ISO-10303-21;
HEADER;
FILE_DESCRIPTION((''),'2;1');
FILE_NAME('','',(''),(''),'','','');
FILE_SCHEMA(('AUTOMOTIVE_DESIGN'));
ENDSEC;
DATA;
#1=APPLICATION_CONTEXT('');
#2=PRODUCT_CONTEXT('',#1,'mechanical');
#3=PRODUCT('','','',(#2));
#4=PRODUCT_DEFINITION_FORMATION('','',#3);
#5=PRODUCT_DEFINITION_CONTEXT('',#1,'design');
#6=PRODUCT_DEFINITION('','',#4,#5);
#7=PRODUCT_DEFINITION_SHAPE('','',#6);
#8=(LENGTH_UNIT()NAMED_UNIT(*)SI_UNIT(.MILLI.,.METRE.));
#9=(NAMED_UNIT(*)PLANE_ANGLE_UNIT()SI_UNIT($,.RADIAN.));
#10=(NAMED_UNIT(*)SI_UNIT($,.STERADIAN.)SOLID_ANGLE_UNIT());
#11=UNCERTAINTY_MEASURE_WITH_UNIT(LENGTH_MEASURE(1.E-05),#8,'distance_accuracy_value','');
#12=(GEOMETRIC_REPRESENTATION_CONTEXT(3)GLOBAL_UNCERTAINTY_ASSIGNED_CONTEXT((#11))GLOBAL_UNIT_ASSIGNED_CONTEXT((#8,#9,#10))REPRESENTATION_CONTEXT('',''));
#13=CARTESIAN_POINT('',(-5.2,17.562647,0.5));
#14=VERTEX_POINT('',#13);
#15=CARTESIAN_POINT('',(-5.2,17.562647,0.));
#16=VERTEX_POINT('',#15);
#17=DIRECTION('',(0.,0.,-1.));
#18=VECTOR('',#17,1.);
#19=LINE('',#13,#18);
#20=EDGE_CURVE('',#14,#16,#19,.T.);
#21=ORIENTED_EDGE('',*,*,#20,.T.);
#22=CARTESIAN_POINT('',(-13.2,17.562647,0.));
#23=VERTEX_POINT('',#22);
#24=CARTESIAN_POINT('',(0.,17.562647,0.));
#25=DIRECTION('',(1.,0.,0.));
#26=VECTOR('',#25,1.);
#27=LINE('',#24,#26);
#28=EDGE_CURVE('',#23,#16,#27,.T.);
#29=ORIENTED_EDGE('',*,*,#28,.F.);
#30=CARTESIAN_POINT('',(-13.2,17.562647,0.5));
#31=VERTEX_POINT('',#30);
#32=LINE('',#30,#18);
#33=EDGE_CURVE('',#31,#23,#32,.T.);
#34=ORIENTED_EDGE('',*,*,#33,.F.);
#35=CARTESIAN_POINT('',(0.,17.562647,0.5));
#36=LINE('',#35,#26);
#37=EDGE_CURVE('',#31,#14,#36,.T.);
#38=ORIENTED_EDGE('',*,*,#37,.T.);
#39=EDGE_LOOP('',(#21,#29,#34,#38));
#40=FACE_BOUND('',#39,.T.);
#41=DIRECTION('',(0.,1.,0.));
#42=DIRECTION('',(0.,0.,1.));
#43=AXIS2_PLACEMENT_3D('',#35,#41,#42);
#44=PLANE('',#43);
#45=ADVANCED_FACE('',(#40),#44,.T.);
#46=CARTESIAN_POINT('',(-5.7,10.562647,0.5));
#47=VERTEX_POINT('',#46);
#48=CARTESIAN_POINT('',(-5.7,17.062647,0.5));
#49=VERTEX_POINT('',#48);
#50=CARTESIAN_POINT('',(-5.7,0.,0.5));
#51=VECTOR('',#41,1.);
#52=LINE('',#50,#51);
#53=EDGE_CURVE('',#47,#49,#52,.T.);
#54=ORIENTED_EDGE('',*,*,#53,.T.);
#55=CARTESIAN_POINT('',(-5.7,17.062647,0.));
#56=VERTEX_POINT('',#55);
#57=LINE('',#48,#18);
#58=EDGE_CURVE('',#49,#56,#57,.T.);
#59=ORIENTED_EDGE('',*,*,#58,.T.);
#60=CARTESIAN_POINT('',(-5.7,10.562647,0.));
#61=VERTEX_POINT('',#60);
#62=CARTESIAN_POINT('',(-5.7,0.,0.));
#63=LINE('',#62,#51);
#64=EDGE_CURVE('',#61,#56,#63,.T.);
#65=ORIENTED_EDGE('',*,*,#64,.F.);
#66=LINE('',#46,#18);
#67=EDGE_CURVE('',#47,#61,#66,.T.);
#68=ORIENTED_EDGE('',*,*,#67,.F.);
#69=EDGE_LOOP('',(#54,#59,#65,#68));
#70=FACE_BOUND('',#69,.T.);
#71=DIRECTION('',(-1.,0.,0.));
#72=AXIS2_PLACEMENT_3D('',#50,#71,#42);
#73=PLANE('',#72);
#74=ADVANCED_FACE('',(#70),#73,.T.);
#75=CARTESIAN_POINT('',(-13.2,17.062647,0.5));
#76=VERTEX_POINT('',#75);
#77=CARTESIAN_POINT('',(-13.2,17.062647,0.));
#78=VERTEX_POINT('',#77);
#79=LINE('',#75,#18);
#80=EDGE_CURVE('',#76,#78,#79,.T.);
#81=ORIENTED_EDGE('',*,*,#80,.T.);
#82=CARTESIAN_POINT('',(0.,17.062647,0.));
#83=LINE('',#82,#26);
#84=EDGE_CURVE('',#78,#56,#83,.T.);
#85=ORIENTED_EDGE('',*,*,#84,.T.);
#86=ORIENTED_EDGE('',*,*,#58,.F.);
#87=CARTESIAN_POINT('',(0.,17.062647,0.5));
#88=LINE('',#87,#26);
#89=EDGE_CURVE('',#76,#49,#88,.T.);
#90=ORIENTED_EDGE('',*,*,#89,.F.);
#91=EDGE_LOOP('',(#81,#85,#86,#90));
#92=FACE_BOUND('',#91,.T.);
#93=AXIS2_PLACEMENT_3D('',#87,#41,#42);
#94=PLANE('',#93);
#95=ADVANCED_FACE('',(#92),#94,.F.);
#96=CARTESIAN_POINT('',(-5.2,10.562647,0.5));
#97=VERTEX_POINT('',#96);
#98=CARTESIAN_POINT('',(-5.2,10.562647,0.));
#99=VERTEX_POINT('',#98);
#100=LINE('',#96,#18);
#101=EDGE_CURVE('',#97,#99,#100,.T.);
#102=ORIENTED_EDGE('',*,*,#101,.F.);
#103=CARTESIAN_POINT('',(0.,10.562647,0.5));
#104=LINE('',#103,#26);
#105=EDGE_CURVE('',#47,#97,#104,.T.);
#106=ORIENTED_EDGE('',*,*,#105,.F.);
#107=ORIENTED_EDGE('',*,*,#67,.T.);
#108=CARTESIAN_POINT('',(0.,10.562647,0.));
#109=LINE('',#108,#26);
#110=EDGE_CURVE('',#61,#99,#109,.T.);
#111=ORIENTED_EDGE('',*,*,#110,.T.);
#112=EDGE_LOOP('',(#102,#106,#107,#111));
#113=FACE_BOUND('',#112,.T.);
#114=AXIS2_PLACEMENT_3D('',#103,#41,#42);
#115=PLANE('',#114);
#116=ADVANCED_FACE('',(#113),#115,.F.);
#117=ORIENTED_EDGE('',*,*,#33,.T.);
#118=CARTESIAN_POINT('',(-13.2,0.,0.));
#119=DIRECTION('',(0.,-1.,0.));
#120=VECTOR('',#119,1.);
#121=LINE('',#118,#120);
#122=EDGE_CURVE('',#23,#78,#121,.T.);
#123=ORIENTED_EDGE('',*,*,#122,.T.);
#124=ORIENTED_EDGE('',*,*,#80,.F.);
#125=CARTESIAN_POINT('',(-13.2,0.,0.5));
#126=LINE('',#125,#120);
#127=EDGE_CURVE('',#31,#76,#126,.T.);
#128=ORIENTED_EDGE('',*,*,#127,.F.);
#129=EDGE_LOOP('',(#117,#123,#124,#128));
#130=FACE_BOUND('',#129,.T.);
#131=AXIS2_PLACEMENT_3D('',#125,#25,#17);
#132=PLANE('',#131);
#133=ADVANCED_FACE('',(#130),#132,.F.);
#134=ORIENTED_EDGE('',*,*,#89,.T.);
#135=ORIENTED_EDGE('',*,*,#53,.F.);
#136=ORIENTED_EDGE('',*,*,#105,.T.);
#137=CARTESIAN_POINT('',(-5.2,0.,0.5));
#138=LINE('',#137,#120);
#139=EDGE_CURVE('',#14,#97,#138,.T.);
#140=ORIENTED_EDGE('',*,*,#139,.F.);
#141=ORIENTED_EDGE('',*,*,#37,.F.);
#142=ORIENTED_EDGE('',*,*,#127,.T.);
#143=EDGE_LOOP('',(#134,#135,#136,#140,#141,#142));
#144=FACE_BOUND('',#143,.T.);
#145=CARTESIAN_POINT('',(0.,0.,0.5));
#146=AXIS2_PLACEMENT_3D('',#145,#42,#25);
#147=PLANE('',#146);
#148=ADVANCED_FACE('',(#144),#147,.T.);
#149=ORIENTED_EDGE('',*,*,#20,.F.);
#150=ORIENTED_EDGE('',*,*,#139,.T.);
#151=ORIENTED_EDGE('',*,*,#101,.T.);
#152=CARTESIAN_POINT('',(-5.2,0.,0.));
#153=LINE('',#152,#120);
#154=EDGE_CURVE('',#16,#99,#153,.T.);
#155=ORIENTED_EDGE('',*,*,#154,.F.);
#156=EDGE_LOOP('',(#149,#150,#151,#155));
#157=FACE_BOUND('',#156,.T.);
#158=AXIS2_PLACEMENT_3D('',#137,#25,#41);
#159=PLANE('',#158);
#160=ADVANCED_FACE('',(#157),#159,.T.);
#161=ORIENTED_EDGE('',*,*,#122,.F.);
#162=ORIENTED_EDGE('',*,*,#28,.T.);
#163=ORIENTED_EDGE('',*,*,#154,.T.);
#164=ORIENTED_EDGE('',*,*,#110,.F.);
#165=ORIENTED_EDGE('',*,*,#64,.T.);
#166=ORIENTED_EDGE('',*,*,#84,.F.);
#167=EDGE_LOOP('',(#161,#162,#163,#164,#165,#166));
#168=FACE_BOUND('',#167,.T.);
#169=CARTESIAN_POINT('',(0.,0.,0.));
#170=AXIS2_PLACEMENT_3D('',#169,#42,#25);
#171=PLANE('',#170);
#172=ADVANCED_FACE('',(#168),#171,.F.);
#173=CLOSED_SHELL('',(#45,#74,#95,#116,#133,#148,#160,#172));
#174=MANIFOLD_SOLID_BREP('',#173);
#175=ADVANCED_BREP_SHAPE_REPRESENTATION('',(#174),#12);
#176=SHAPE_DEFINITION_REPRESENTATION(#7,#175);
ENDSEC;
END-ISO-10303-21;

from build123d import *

# Parameters (mm, degrees)
BOSS_EXTRUDE1_DEPTH = 0.5


with BuildPart() as part:
    # Sketch1 → Boss-Extrude1 (new body)
    with BuildSketch(Plane.XY):
        Polygon((-5.7, 10.56264653), (-5.7, 17.06264653), (-13.2, 17.06264653), (-13.2, 17.56264653), (-5.2, 17.56264653), (-5.2, 10.56264653), align=None)
    extrude(amount=BOSS_EXTRUDE1_DEPTH)


solid = part.part
